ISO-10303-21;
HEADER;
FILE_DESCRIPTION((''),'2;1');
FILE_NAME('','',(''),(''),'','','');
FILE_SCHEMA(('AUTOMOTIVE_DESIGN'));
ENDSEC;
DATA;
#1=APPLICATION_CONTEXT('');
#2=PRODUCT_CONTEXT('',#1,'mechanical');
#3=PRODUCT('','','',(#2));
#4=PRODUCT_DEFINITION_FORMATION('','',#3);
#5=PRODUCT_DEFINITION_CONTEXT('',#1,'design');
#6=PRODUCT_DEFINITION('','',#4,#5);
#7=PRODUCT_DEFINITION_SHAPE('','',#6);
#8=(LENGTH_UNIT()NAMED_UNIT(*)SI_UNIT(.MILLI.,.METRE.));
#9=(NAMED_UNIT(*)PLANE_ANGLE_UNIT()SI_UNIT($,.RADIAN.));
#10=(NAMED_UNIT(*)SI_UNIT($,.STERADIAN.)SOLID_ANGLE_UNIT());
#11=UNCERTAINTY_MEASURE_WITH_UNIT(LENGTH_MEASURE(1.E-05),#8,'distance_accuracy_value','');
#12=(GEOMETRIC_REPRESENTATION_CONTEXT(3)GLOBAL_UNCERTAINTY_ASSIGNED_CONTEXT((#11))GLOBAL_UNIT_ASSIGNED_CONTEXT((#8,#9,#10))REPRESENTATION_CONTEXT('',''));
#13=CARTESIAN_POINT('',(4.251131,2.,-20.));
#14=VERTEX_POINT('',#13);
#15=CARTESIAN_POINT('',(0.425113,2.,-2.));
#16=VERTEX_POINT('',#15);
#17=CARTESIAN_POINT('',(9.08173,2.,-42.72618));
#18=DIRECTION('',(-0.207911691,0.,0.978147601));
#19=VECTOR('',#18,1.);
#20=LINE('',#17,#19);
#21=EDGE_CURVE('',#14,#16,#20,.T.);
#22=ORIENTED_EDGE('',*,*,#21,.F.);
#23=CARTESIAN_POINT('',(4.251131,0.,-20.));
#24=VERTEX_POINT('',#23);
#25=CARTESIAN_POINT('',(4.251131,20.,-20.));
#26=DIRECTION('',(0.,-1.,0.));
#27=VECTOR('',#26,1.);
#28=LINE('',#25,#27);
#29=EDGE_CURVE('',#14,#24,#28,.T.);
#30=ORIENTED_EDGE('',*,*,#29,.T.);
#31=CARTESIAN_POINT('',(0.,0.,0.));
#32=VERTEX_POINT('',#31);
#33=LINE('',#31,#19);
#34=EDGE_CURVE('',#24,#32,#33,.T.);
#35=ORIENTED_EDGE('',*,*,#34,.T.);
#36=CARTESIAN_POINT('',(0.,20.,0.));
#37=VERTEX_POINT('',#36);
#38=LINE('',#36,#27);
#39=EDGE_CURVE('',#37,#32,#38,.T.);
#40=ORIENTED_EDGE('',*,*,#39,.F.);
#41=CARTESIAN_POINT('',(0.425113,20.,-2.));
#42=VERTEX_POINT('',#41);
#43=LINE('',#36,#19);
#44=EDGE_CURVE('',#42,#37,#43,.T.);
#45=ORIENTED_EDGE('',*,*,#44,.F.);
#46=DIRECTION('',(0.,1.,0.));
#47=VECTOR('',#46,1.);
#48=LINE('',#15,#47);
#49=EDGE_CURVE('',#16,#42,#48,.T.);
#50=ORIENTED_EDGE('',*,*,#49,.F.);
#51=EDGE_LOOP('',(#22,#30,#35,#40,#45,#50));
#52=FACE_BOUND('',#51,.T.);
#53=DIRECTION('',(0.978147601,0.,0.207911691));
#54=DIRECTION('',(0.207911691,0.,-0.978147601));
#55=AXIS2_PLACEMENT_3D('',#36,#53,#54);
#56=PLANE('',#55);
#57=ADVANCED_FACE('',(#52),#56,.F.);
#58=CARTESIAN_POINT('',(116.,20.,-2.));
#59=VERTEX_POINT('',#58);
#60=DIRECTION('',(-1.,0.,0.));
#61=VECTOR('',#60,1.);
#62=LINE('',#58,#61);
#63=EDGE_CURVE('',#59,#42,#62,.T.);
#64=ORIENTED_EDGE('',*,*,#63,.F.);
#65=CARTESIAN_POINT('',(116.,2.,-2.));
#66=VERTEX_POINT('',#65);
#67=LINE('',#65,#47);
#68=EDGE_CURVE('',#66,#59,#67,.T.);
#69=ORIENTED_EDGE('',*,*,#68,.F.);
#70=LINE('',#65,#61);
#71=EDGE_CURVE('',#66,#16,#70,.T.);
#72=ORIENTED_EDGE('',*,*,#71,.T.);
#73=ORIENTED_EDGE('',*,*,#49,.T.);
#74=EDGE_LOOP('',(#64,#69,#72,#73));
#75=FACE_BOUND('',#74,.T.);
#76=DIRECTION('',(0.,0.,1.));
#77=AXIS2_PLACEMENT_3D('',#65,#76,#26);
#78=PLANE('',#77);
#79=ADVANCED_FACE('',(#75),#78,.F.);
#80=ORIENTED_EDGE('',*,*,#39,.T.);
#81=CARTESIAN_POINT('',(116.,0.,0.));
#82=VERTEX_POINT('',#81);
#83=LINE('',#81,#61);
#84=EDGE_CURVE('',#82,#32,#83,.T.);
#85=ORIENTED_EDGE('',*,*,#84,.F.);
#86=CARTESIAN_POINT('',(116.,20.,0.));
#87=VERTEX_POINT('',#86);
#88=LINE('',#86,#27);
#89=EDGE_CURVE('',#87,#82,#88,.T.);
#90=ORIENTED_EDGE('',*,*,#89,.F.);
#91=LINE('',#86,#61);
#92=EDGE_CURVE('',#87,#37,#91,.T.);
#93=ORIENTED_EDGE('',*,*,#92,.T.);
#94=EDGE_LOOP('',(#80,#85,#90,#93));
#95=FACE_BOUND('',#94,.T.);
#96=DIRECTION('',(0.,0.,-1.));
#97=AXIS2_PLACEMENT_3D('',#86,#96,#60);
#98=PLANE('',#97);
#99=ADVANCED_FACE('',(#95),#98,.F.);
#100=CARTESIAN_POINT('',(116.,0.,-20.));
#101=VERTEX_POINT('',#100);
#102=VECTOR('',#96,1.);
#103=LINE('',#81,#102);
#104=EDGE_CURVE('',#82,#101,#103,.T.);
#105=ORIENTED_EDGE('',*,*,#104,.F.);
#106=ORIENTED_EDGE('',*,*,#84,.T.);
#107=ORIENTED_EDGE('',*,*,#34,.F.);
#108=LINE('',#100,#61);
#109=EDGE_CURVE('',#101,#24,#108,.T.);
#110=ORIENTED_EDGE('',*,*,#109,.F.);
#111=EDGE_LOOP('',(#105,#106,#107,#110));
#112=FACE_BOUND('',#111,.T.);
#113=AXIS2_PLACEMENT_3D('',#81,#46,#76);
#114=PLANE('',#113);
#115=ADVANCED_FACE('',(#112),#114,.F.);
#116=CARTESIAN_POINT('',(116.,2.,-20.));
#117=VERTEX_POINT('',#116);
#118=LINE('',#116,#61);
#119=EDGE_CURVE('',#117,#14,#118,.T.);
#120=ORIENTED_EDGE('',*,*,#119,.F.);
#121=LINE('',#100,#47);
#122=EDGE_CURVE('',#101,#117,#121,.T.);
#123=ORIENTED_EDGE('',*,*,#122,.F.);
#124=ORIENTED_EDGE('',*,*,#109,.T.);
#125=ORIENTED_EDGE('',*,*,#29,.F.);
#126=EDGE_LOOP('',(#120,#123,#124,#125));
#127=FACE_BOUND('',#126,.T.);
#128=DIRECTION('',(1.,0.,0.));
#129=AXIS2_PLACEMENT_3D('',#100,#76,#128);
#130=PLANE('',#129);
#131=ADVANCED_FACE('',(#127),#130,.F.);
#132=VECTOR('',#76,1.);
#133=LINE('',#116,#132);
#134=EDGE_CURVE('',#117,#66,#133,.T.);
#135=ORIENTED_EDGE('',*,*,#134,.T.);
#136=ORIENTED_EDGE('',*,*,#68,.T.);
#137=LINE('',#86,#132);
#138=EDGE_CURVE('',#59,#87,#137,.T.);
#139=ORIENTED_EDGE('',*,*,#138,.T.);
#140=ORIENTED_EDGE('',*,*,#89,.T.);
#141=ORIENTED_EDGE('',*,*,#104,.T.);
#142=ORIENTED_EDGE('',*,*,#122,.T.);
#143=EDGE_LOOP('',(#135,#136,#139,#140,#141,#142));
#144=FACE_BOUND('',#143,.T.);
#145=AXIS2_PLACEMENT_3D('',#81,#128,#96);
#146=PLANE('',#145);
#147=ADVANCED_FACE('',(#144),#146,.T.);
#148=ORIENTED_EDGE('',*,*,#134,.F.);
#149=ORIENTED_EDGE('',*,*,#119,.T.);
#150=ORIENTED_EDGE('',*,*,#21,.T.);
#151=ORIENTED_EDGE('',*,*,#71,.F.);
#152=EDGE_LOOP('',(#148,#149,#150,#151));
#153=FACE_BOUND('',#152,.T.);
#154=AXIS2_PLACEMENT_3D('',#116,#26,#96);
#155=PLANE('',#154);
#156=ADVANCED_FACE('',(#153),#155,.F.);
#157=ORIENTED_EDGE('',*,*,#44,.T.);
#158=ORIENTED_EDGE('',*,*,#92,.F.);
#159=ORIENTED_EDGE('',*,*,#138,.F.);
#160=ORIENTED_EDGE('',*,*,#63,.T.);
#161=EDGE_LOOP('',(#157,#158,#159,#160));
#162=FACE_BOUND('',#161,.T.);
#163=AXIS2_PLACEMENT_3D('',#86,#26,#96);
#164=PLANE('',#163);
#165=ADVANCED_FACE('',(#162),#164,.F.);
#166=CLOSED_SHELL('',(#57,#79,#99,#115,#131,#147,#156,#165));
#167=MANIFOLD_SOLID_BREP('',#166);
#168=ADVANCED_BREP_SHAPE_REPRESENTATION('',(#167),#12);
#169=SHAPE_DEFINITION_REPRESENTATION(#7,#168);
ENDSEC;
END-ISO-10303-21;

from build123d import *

# Parameters (mm, degrees)
BOSS_EXTRUDE1_DEPTH = 116
CUT_EXTRUDE1_DEPTH  = 120.398492453


with BuildPart() as part:
    # Sketch1 → Boss-Extrude1 (new body)
    with BuildSketch(Plane(origin=(0, 0, 0), x_dir=(0, 0, -1), z_dir=(1, 0, 0))):
        Polygon((0, 20), (0, 0), (20, 0), (20, 2), (2, 2), (2, 20), align=None)
    extrude(amount=BOSS_EXTRUDE1_DEPTH)

    # Sketch2 → Cut-Extrude1 (cut, through all)
    with BuildSketch(Plane.XZ):
        Polygon((0, 0), (4.251131233, -20), (0, -20), align=None)
    extrude(amount=-CUT_EXTRUDE1_DEPTH, mode=Mode.SUBTRACT)


solid = part.part
